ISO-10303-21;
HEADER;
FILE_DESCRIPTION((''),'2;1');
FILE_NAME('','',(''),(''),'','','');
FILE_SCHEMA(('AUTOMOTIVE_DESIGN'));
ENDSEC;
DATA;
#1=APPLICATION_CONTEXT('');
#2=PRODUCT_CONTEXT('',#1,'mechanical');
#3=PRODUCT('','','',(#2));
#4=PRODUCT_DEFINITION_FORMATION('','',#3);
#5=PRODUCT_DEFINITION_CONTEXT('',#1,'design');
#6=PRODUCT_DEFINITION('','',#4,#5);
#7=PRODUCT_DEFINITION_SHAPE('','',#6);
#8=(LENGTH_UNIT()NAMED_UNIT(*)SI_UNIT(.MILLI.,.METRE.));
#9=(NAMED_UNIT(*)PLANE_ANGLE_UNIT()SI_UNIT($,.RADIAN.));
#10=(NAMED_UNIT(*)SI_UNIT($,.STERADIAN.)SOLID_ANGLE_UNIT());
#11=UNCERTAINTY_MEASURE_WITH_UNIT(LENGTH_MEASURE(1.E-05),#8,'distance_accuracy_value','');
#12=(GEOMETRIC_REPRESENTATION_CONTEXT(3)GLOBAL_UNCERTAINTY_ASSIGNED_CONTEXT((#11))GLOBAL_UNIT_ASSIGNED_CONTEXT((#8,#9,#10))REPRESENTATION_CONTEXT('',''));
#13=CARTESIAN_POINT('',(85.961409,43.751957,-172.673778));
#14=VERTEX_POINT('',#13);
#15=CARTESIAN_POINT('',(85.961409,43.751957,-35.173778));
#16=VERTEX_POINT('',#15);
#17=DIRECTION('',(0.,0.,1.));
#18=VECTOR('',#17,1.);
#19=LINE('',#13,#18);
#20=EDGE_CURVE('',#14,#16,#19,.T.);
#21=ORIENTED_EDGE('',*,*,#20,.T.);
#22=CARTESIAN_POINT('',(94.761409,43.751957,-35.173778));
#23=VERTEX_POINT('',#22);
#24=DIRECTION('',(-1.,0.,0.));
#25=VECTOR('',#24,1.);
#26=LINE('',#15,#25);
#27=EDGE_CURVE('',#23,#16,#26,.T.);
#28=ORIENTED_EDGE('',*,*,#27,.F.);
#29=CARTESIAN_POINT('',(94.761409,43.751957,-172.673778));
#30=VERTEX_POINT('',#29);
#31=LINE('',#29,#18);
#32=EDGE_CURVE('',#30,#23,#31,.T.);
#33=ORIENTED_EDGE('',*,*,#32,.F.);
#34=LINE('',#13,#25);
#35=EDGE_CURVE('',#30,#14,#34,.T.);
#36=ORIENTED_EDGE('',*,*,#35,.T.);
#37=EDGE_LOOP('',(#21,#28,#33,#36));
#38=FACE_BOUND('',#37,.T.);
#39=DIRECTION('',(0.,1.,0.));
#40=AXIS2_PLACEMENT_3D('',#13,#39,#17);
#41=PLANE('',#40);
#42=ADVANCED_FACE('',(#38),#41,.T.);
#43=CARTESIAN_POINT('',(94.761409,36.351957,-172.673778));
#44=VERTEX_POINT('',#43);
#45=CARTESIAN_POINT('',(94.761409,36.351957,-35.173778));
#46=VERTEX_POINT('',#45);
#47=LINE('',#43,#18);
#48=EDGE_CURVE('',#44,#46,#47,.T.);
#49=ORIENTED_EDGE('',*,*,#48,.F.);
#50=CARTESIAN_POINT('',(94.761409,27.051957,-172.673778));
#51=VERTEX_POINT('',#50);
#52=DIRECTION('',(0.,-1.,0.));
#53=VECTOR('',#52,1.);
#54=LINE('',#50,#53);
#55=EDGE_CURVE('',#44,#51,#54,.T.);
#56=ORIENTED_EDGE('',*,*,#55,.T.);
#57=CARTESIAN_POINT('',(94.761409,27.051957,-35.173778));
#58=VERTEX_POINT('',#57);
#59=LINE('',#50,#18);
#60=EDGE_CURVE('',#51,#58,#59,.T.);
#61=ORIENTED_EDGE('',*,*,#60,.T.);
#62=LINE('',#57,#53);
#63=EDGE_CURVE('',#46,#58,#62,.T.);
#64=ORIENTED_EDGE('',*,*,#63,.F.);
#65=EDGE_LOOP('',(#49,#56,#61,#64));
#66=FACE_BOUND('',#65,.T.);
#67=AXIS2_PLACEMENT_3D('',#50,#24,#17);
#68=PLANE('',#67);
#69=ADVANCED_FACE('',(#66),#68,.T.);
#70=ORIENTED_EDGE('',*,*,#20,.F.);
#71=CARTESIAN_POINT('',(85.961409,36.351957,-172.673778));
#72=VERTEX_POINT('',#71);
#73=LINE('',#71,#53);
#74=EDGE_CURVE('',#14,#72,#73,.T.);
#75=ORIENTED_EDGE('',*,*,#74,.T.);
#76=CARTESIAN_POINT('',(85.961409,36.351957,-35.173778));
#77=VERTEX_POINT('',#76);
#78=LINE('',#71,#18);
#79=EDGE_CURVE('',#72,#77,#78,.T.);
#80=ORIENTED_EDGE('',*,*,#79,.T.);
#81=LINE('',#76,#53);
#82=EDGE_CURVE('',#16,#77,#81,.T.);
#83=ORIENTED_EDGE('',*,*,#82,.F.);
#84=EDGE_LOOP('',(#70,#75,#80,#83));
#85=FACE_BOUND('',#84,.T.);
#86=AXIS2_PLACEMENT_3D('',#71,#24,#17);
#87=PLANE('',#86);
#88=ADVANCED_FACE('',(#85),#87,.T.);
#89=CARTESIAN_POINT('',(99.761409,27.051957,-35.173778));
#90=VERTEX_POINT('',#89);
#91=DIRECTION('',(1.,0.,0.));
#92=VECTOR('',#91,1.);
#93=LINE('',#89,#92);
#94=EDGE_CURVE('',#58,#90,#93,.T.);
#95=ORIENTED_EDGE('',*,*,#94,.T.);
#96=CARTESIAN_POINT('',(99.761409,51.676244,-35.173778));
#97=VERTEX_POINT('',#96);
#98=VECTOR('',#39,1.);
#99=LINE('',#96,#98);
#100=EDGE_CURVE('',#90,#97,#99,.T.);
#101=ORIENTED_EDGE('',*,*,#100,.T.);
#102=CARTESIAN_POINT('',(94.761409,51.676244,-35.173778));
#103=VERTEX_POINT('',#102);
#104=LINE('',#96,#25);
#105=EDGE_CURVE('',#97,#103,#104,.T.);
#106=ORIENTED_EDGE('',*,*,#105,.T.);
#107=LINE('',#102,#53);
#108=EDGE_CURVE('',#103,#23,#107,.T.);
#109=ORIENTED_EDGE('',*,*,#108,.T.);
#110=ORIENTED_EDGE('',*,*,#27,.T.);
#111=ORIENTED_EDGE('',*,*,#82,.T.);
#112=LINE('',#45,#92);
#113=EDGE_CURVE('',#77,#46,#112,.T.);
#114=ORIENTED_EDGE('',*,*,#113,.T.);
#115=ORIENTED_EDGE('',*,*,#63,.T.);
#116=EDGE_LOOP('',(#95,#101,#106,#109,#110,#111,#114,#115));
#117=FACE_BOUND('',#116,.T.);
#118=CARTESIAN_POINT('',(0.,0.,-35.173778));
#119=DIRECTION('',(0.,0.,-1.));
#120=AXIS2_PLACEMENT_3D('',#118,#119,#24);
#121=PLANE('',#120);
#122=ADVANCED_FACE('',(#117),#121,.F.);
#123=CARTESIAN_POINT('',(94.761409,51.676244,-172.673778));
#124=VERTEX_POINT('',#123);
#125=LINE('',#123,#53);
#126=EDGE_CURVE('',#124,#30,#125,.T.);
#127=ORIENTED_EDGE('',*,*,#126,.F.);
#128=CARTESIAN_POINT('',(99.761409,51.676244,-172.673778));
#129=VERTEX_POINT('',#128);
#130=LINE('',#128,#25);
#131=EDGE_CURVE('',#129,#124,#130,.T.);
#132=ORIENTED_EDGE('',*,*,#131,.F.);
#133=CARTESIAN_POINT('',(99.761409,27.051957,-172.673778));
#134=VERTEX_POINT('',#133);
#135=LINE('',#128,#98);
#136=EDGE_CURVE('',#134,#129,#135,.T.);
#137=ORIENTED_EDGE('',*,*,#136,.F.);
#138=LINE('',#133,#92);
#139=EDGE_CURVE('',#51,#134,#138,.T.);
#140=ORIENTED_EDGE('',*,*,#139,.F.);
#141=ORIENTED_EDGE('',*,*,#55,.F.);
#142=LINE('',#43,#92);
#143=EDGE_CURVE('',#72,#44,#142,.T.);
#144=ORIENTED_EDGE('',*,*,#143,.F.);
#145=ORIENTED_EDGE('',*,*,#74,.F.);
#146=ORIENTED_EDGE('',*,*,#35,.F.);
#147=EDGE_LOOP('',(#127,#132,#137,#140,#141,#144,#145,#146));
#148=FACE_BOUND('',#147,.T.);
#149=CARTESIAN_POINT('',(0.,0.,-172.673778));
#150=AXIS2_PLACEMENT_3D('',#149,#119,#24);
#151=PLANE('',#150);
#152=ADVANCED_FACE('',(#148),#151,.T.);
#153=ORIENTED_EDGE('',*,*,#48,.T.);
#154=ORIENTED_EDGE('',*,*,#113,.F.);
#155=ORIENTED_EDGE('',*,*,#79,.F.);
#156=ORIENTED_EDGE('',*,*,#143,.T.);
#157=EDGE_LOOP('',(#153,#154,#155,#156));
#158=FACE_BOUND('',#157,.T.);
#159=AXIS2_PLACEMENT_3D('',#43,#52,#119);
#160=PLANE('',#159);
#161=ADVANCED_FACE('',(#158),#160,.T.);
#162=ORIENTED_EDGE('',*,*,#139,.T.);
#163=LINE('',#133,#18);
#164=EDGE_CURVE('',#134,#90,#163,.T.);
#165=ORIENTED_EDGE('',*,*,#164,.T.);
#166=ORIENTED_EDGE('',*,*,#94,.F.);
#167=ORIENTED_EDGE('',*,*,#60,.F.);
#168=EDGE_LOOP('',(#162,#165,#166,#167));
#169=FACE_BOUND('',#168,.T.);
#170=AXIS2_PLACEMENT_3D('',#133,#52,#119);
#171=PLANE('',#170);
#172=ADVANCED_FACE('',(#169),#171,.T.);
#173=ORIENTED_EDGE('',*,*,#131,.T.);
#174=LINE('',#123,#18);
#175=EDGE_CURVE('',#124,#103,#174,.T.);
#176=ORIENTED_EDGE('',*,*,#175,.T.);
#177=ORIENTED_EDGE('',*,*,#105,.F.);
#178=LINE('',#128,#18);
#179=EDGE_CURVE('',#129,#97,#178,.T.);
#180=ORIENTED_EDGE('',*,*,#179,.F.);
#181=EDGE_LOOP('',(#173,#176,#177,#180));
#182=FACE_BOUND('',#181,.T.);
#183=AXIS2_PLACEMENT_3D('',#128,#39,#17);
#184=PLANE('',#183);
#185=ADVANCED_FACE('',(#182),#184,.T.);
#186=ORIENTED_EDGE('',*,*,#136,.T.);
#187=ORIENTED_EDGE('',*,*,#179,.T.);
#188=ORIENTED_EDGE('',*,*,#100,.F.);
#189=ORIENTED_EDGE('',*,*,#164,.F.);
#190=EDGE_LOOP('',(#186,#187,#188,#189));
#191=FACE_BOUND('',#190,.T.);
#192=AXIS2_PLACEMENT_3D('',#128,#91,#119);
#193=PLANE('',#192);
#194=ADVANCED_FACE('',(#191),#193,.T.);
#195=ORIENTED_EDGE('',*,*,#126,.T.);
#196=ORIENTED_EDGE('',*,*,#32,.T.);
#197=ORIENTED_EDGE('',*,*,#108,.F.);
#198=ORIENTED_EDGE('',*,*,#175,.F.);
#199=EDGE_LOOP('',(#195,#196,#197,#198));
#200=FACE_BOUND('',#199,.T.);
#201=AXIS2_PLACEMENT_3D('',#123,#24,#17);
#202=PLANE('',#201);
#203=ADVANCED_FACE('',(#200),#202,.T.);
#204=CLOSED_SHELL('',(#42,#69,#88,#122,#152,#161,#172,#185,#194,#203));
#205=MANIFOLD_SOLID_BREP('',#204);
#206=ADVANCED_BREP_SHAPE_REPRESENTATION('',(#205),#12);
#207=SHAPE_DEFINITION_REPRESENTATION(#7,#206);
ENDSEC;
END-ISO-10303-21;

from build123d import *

# Parameters (mm, degrees)
EXTRUDE2_DEPTH = 137.5


with BuildPart() as part:
    # Sketch1 → Extrude2 (new body)
    with BuildSketch(Plane.XY.offset(-35.173777659)):
        Polygon((85.961408719, 43.751957214), (94.761408719, 43.751957214), (94.761408719, 51.676244301), (99.761408719, 51.676244301), (99.761408719, 27.051957214), (94.761408719, 27.051957214), (94.761408719, 36.351957214), (85.961408719, 36.351957214), align=None)
    extrude(amount=-EXTRUDE2_DEPTH)


solid = part.part
